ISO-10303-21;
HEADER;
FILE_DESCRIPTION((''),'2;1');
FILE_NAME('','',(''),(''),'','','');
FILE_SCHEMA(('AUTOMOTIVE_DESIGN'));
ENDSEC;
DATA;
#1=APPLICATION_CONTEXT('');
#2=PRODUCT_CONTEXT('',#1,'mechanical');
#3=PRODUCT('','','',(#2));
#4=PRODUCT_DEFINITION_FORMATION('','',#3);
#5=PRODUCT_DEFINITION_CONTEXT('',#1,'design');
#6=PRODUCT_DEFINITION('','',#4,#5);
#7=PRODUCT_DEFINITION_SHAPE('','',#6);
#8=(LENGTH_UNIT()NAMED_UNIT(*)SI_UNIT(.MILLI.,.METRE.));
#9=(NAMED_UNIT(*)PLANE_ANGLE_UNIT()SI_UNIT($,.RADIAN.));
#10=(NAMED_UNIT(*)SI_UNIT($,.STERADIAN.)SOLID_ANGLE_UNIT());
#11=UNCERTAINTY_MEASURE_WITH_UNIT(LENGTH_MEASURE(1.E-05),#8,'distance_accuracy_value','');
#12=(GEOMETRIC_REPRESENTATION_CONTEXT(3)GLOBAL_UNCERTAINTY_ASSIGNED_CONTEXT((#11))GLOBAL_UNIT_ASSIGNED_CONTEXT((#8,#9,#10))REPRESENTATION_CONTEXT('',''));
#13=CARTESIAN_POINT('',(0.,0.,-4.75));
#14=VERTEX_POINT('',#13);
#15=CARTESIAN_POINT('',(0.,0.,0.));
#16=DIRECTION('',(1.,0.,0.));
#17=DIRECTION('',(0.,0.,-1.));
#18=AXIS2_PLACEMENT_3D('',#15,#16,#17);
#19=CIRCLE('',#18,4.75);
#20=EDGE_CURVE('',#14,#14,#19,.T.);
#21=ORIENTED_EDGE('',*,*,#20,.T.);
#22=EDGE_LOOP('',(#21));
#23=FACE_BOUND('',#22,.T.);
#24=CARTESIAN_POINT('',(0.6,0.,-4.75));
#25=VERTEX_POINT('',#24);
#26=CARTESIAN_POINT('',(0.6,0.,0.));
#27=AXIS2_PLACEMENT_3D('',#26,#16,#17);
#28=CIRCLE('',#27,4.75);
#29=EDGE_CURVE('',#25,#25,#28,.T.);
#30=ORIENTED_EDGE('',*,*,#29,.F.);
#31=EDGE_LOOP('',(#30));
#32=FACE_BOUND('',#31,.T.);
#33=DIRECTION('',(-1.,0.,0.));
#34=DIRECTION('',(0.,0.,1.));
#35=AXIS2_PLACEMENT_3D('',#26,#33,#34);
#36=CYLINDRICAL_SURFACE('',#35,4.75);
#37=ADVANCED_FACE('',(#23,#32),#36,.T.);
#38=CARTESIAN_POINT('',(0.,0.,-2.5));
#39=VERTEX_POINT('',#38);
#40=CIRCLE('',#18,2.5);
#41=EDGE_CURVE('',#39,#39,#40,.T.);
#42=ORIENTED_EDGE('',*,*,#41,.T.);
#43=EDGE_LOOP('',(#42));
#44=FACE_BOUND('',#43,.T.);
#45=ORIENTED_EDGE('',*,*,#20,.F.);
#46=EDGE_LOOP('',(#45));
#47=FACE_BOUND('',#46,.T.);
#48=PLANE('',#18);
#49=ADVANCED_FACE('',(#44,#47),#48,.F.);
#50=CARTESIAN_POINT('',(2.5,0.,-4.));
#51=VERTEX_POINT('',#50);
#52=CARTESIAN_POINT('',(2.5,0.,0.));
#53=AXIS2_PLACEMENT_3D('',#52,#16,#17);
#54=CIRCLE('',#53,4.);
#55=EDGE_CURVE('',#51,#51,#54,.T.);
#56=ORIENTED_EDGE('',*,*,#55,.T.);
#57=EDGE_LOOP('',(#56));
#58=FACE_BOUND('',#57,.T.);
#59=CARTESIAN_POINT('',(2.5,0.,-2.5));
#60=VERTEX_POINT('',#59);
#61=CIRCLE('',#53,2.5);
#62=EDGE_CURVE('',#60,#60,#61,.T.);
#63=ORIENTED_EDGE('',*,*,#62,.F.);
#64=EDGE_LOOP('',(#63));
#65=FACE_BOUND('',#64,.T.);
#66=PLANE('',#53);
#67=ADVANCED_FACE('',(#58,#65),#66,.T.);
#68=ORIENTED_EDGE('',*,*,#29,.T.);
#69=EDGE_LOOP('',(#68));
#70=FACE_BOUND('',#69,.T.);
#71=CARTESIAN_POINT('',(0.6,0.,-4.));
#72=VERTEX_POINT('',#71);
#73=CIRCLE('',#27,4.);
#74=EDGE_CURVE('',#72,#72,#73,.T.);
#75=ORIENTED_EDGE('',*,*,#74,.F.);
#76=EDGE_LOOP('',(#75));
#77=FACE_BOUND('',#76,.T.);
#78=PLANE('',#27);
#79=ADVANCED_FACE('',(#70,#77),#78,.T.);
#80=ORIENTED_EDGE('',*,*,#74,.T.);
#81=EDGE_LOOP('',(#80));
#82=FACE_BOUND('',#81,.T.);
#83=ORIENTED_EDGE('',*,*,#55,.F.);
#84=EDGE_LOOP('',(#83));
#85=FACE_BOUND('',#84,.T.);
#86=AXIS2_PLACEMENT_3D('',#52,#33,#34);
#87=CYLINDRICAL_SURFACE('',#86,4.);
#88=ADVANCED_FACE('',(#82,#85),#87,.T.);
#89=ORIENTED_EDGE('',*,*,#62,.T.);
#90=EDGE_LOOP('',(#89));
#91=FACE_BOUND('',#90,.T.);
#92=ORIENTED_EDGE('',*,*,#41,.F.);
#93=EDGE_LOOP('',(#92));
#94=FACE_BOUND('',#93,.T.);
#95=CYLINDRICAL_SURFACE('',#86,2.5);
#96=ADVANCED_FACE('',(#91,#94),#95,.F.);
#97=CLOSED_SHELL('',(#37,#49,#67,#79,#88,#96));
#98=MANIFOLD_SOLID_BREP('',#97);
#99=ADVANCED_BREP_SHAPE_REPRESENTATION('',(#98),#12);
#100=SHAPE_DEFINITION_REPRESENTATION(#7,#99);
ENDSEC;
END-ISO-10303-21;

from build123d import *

# Parameters (mm, degrees)
SKETCH_1_R      = 4
SKETCH_1_R_2    = 2.5
EXTRUDE_1_DEPTH = 2.5
SKETCH_1_3_R    = 4.75
SKETCH_1_3_R_2  = 4
EXTRUDE_2_DEPTH = 0.6


with BuildPart() as part:
    # 草图1 → 凸台-拉伸1 (new body)
    with BuildSketch(Plane(origin=(0, 0, 0), x_dir=(0, 0, -1), z_dir=(1, 0, 0))):
        Circle(SKETCH_1_R)
        Circle(SKETCH_1_R_2, mode=Mode.SUBTRACT)
    extrude(amount=EXTRUDE_1_DEPTH)

    # 草图1<3> → 凸台-拉伸2 (add)
    with BuildSketch(Plane(origin=(0, 0, 0), x_dir=(0, 0, -1), z_dir=(1, 0, 0))):
        Circle(SKETCH_1_3_R)
        Circle(SKETCH_1_3_R_2, mode=Mode.SUBTRACT)
    extrude(amount=EXTRUDE_2_DEPTH)


solid = part.part
